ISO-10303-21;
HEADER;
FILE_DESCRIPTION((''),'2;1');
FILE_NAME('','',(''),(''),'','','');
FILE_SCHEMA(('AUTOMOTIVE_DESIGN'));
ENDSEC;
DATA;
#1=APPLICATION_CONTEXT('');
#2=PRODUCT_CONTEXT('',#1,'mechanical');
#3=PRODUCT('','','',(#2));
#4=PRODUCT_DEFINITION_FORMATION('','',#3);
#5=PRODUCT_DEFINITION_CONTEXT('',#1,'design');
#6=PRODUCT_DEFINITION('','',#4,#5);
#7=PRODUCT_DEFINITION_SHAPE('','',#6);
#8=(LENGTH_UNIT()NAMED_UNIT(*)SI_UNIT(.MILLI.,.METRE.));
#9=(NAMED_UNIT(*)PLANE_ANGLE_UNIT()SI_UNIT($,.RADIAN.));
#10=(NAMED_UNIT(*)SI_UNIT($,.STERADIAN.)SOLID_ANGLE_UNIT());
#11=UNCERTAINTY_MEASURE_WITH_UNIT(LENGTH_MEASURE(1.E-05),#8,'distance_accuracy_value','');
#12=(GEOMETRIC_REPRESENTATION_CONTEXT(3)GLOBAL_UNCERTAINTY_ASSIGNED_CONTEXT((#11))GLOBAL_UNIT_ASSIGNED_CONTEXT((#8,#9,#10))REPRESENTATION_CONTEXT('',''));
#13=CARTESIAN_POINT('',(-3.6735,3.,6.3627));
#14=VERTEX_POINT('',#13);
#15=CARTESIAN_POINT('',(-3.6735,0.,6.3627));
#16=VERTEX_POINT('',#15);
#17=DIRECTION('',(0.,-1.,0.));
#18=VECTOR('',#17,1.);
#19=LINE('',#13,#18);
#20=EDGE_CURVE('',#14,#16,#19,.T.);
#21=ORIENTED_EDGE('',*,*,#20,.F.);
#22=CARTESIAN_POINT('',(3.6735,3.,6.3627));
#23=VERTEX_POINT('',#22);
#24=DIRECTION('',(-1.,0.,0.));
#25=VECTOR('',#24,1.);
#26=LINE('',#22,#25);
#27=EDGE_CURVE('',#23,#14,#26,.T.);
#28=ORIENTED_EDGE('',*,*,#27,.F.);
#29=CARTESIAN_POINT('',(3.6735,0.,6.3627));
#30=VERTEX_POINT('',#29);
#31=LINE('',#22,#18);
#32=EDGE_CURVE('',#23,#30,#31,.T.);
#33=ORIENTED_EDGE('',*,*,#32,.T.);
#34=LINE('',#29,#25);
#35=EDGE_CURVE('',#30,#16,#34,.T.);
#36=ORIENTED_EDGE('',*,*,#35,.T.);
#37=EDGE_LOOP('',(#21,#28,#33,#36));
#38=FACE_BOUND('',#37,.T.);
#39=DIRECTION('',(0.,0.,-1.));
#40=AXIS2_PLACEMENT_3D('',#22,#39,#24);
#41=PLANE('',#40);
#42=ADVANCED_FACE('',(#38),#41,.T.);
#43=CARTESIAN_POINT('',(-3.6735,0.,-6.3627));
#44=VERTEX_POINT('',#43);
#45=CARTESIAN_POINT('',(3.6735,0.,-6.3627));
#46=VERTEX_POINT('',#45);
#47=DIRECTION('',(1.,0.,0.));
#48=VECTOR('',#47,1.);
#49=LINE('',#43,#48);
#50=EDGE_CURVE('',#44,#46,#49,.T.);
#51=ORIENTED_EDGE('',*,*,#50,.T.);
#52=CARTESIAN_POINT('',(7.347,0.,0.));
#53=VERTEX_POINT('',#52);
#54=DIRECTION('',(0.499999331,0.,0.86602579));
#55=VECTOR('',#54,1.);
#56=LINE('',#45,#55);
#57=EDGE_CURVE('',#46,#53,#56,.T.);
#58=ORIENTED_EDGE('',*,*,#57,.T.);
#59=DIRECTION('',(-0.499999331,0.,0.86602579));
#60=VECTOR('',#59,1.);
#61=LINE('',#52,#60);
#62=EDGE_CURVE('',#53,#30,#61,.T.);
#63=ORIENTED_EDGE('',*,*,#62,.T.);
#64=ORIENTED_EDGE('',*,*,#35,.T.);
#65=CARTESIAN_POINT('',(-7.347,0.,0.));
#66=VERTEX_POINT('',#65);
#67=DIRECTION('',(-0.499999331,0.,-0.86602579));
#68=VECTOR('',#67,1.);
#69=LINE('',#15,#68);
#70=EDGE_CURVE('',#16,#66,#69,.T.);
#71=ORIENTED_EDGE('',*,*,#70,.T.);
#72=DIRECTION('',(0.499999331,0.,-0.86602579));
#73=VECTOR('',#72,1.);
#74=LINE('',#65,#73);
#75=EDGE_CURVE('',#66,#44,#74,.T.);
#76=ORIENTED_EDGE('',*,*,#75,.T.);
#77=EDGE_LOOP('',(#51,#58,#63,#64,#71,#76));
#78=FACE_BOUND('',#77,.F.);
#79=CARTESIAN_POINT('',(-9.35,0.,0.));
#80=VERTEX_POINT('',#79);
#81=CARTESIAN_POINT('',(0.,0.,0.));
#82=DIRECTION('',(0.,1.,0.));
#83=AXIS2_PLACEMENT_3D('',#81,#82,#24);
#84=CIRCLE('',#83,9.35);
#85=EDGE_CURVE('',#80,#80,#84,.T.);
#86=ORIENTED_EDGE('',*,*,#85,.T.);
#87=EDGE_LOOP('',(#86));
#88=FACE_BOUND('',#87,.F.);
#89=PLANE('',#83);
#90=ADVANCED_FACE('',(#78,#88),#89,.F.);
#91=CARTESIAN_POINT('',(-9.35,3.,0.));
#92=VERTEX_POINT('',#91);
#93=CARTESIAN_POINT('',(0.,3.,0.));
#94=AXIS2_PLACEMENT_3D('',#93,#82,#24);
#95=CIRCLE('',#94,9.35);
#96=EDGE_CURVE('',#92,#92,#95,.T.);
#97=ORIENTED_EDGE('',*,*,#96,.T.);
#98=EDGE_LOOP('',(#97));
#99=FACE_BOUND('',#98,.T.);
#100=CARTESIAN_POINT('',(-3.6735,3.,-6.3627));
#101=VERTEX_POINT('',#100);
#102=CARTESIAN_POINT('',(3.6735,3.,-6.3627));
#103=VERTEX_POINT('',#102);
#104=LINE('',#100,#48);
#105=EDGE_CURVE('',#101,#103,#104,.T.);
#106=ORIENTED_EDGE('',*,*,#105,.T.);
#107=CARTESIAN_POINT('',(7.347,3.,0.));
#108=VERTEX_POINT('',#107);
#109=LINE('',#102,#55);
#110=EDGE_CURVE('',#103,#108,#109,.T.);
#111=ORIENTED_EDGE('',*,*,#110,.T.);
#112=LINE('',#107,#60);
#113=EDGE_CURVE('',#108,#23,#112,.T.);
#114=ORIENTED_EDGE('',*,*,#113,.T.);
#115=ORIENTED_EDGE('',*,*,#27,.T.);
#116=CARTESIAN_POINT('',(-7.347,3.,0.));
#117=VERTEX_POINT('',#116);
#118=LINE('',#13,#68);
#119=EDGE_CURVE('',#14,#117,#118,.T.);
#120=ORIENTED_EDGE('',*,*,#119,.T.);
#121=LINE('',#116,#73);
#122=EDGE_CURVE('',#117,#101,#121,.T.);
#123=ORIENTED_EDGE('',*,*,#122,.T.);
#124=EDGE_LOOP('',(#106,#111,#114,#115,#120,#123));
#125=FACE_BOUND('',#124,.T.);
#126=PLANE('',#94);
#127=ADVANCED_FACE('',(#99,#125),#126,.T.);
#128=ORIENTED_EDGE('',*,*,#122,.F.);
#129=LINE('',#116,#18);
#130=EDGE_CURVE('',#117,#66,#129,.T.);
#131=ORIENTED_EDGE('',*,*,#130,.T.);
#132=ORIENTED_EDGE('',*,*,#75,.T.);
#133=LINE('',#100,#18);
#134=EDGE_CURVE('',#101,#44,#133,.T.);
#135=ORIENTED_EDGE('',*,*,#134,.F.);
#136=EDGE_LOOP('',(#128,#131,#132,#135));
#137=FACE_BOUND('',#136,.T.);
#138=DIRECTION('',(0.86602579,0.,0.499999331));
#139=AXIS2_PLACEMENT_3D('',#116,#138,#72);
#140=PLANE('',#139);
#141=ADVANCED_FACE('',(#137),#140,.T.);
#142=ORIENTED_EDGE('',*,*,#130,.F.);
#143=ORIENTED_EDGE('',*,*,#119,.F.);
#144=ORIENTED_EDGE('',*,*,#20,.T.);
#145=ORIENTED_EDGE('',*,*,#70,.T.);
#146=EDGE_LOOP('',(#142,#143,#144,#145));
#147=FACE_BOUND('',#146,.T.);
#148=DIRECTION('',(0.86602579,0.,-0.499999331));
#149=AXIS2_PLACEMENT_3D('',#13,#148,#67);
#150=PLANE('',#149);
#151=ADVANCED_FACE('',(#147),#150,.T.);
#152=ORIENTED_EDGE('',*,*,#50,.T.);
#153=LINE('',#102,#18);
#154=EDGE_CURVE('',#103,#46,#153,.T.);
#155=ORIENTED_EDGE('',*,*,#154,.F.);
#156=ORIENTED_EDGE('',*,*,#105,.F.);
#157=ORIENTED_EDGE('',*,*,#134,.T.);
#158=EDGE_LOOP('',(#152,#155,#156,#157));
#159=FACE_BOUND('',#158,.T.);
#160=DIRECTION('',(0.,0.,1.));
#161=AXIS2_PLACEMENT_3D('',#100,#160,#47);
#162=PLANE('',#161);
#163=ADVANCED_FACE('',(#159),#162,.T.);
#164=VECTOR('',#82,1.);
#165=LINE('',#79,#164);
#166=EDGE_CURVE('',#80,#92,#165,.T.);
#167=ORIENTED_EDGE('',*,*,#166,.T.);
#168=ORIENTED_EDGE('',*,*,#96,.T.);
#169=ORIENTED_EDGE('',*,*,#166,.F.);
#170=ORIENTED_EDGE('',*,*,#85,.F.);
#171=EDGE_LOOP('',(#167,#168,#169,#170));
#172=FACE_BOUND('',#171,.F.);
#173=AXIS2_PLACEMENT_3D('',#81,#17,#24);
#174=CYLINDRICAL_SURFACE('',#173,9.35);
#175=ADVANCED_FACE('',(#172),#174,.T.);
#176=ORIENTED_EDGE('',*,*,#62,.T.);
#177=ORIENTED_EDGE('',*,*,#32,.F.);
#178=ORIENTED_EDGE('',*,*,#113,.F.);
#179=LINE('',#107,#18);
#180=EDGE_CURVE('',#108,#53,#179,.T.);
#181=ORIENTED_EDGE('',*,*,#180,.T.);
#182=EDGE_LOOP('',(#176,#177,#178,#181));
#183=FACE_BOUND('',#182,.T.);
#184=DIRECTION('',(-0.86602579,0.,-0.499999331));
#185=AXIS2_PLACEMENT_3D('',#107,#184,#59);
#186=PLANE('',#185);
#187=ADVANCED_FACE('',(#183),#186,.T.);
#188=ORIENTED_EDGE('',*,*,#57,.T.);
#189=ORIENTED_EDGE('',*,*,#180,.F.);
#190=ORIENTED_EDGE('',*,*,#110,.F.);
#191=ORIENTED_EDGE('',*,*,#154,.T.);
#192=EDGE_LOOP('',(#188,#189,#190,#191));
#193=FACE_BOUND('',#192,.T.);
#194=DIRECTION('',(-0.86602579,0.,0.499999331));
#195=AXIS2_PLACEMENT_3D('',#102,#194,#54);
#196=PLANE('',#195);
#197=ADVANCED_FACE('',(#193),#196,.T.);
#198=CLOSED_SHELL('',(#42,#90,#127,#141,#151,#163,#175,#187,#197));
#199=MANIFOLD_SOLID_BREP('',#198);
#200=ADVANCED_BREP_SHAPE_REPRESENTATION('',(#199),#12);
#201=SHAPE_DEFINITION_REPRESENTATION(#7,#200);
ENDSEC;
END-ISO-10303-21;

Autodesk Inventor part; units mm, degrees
ref_plane "YZ Plane" through (0, 0, 0) normal (1, 0, 0) x (0, 1, 0)
ref_plane "XZ Plane" through (0, 0, 0) normal (0, 1, 0) x (-1, 0, 0)
ref_plane "XY Plane" through (0, 0, 0) normal (0, 0, 1) x (1, 0, 0)
sketch "Sketch1" plane through (0, 0, 0) normal (0, 1, 0) x (-1, 0, 0)
  line L0 (-6.35, -3.6662) -> (-6.35, 3.6662)
  line L1 (-6.35, 3.6662) -> (0, 7.3323)
  line L2 (0, 7.3323) -> (6.35, 3.6662)
  line L3 (6.35, 3.6662) -> (6.35, -3.6662)
  line L4 (6.35, -3.6662) -> (0, -7.3323)
  line L5 (0, -7.3323) -> (-6.35, -3.6662)
  circle A0 centre (0, 0) radius 6.35
  circle A1 centre (0, 0) radius 9.35
  dimension "d0" = 12.7
  dimension "d1" = 3
extrude "Extrusion1" add sketch "Sketch1" along normal blind 3 contours L0 A0 L5 | L0 L1 A0 | A0 | A0 L4 L5 | L1 L2 A0 | A0 L3 L4 | L2 L3 A0 | A1
sketch "Sketch2" plane through (0, 3, 0) normal (0, 1, 0) x (1, 0, 0)
  line L0 (-7.347, 0) -> (-3.6735, 6.3627)
  line L1 (-3.6735, 6.3627) -> (3.6735, 6.3627)
  line L2 (3.6735, 6.3627) -> (7.347, 0)
  line L3 (7.347, 0) -> (3.6735, -6.3627)
  line L4 (3.6735, -6.3627) -> (-3.6735, -6.3627)
  line L5 (-3.6735, -6.3627) -> (-7.347, 0)
  point P0 (0, 0)
  point P1 (0, 0)
  dimension "d4" = 12.7254
extrude "Extrusion2" cut sketch "Sketch2" against normal blind 3
properties part number "3mmHEXSPACER"
